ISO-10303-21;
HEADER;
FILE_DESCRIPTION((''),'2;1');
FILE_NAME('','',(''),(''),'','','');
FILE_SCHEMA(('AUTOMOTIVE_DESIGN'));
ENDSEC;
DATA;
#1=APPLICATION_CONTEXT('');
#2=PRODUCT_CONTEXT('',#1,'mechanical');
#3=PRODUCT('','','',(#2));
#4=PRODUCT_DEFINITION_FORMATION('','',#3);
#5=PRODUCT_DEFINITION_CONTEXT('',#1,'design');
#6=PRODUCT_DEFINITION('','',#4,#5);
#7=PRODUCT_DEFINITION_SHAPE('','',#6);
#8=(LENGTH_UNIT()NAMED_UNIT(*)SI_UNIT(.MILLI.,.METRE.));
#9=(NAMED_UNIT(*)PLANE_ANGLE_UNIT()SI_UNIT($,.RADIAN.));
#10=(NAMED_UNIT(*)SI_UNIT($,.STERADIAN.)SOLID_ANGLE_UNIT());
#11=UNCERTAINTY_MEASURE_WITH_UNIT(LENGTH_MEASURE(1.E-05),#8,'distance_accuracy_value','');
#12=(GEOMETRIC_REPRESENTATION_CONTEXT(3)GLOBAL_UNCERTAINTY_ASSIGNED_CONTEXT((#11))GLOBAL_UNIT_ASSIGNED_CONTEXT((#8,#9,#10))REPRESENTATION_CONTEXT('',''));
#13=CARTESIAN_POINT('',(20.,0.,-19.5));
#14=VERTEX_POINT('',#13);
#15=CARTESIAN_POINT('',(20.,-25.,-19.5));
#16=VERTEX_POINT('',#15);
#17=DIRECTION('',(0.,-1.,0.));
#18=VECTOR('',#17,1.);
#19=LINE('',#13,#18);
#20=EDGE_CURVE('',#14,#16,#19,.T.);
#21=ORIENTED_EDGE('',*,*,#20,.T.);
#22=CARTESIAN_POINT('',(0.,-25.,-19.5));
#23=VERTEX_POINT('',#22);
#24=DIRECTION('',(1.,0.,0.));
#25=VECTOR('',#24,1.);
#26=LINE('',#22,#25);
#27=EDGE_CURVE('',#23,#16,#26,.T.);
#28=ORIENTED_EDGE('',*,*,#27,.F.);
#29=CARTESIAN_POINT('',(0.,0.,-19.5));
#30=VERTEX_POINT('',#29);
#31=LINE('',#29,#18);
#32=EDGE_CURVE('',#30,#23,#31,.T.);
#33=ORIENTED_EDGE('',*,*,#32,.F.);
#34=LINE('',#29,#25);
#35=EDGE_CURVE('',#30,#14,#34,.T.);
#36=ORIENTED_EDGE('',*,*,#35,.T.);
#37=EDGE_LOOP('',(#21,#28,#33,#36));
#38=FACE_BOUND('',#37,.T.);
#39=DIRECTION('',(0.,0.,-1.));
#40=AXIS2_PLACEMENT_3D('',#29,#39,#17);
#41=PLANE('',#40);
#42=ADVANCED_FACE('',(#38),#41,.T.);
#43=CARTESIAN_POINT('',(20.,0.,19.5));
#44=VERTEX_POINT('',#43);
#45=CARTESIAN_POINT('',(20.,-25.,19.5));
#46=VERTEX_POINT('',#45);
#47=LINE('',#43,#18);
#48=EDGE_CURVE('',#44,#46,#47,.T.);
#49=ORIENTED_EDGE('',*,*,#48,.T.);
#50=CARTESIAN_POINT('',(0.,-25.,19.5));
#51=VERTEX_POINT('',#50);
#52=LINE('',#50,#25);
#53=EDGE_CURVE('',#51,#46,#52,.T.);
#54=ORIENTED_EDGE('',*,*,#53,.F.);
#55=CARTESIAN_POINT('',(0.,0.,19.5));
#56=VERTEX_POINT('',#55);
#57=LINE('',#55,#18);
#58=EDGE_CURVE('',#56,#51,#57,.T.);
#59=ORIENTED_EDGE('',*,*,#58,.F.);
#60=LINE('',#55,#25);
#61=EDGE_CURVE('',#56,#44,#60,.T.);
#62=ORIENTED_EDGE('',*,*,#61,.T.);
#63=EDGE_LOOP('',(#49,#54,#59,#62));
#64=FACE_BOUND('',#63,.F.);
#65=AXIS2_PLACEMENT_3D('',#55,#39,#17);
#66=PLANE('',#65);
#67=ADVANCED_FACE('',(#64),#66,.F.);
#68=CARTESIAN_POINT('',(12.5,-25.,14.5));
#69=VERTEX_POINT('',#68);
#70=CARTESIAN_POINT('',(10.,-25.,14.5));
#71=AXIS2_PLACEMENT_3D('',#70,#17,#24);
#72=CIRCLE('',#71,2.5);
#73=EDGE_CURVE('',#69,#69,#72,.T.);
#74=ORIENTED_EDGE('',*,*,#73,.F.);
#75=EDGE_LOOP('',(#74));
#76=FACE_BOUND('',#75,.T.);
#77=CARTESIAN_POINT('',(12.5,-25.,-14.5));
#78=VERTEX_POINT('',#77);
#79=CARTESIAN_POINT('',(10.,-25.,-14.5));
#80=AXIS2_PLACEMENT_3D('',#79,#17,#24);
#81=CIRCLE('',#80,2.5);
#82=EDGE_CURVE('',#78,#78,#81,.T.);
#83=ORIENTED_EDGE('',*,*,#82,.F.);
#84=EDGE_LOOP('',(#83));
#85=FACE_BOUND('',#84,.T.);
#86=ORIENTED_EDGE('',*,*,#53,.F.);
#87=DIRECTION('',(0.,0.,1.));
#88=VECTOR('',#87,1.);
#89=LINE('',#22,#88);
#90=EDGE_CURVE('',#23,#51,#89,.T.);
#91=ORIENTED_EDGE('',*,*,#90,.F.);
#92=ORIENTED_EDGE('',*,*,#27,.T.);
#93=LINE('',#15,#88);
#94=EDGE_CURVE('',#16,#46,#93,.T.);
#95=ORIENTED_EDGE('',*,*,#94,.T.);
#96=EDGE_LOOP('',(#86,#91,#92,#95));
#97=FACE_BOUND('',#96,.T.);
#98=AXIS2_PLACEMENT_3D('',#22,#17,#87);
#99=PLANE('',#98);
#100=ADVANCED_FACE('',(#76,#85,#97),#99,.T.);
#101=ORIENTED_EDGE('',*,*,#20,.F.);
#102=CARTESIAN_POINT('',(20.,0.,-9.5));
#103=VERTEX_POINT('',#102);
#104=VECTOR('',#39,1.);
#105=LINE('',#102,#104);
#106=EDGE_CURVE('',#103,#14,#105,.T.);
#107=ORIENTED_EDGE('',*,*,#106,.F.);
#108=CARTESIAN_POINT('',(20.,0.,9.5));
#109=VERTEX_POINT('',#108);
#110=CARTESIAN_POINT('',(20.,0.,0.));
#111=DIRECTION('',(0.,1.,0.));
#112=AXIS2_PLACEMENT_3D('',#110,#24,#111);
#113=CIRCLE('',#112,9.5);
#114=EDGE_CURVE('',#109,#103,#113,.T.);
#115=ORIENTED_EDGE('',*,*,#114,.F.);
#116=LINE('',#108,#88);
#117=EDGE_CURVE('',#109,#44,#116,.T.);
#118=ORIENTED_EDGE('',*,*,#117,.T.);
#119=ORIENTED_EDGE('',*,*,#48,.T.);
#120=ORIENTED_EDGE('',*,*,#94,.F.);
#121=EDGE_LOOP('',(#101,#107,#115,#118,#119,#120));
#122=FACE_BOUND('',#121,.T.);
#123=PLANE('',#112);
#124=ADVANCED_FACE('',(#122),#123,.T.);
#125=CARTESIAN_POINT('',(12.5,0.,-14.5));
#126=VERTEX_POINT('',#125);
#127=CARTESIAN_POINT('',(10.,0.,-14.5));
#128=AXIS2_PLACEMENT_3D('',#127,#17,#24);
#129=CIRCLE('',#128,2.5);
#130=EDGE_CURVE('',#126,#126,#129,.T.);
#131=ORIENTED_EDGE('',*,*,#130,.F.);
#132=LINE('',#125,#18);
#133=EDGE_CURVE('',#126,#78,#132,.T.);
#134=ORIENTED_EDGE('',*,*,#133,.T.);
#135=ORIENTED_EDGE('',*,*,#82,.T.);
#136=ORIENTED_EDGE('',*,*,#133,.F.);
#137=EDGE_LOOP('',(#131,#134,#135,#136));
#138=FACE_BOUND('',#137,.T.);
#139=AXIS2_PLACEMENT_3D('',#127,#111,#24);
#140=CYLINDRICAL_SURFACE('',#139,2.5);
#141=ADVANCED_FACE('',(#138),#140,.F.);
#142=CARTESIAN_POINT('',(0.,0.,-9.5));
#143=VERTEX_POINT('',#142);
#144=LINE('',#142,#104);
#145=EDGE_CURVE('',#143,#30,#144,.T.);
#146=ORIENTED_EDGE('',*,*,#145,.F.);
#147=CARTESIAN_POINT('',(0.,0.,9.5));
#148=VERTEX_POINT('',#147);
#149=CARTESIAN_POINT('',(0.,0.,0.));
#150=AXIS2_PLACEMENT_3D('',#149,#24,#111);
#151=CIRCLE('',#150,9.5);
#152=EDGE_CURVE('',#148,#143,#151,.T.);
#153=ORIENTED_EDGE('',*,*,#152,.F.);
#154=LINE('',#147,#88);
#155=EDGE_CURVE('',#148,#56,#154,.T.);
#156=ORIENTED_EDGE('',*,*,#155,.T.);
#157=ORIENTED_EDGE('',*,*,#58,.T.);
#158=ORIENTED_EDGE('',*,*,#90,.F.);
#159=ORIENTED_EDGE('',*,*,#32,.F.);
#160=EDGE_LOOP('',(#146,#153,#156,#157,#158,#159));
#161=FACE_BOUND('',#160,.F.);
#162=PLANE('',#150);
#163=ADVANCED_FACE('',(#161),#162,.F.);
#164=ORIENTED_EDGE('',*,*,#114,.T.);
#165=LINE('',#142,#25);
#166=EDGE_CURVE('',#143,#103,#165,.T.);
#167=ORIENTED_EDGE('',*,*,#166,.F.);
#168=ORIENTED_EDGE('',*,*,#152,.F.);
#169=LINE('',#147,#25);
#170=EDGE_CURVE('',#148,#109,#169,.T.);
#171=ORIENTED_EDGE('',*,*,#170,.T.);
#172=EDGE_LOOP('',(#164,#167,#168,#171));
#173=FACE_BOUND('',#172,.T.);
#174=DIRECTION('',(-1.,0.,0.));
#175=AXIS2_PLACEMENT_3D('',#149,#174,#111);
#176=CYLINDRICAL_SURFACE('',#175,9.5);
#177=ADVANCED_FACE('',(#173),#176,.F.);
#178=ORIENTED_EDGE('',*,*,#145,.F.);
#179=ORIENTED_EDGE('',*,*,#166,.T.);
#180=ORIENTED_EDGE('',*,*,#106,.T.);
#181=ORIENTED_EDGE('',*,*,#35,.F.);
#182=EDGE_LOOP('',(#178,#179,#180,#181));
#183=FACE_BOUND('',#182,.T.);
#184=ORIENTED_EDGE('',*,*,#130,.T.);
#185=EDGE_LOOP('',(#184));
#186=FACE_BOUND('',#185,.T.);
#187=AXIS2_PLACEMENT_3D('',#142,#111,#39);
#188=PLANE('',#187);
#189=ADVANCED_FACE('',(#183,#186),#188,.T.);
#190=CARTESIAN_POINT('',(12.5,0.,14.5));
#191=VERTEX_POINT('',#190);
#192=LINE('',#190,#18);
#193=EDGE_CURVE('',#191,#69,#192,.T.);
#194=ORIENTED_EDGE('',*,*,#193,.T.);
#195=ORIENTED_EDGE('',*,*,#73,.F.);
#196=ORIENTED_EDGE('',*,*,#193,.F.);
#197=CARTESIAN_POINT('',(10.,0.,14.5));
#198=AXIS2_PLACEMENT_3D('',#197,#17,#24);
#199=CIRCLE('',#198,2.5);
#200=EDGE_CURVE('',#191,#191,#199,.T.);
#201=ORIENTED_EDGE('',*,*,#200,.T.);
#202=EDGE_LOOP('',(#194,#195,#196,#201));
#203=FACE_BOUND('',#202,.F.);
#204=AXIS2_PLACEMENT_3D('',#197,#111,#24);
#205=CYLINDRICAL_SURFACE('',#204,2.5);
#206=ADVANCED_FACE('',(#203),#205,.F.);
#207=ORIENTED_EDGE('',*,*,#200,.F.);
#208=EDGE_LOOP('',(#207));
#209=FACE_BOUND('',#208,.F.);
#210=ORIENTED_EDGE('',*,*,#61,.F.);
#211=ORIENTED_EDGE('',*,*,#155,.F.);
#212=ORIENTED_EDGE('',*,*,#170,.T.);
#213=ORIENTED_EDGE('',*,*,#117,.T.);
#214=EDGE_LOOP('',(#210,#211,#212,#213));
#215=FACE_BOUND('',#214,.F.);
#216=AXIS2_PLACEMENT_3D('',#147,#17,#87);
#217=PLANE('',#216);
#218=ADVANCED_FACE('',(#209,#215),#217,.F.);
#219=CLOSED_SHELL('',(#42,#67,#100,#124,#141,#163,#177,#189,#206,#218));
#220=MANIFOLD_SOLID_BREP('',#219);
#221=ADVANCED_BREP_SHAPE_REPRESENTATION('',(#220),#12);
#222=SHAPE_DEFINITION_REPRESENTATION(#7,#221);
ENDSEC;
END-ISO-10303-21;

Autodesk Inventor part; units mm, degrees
ref_plane "YZ Plane" through (0, 0, 0) normal (1, 0, 0) x (0, 1, 0)
ref_plane "XZ Plane" through (0, 0, 0) normal (0, 1, 0) x (-1, 0, 0)
ref_plane "XY Plane" through (0, 0, 0) normal (0, 0, 1) x (1, 0, 0)
sketch "Sketch1" plane through (0, 0, 0) normal (1, 0, 0) x (0, 1, 0)
  circle A0 centre (0, 0) radius 9.5
  line L0 (0, 9.5) -> (0, 19.5)
  line L1 (0, 19.5) -> (-25, 19.5)
  line L2 (0, -9.5) -> (0, -19.5)
  line L3 (0, -19.5) -> (-25, -19.5)
  line L4 (-25, -19.5) -> (-25, 19.5)
  dimension "d0" = 19
  dimension "d1" = 10
  dimension "d2" = 25
  dimension "d3" = 10
extrude "Extrusion1" add sketch "Sketch1" along normal blind 20 contours A0 L2 L3 L4 L1 L0
sketch "Sketch2" plane through (0, 0, 19.5) normal (0, 1, 0) x (1, 0, 0)
  line L0 (0, 0) -> (0, 5)
  line L1 (0, 0) -> (0, 39) projected
  line L2 (0, 5) -> (10, 5)
  line L3 (20, 0) -> (20, 39) projected
  circle A0 centre (10, 5) radius 2.5
  point P0 (0, 19.5)
  dimension "d6" = 5
  dimension "d7" = 10
  dimension "d8" = 5
extrude "Extrusion2" cut sketch "Sketch2" against normal through all
thread "Thread1" size "M5x0.8" class "6H" standard "ISO Metric profile" full length
mirror "Mirror2" about plane through (0, 0, 0) normal (0, 0, 1) of "Extrusion2"
properties part number "Clamp" material "Steel, Mild"
